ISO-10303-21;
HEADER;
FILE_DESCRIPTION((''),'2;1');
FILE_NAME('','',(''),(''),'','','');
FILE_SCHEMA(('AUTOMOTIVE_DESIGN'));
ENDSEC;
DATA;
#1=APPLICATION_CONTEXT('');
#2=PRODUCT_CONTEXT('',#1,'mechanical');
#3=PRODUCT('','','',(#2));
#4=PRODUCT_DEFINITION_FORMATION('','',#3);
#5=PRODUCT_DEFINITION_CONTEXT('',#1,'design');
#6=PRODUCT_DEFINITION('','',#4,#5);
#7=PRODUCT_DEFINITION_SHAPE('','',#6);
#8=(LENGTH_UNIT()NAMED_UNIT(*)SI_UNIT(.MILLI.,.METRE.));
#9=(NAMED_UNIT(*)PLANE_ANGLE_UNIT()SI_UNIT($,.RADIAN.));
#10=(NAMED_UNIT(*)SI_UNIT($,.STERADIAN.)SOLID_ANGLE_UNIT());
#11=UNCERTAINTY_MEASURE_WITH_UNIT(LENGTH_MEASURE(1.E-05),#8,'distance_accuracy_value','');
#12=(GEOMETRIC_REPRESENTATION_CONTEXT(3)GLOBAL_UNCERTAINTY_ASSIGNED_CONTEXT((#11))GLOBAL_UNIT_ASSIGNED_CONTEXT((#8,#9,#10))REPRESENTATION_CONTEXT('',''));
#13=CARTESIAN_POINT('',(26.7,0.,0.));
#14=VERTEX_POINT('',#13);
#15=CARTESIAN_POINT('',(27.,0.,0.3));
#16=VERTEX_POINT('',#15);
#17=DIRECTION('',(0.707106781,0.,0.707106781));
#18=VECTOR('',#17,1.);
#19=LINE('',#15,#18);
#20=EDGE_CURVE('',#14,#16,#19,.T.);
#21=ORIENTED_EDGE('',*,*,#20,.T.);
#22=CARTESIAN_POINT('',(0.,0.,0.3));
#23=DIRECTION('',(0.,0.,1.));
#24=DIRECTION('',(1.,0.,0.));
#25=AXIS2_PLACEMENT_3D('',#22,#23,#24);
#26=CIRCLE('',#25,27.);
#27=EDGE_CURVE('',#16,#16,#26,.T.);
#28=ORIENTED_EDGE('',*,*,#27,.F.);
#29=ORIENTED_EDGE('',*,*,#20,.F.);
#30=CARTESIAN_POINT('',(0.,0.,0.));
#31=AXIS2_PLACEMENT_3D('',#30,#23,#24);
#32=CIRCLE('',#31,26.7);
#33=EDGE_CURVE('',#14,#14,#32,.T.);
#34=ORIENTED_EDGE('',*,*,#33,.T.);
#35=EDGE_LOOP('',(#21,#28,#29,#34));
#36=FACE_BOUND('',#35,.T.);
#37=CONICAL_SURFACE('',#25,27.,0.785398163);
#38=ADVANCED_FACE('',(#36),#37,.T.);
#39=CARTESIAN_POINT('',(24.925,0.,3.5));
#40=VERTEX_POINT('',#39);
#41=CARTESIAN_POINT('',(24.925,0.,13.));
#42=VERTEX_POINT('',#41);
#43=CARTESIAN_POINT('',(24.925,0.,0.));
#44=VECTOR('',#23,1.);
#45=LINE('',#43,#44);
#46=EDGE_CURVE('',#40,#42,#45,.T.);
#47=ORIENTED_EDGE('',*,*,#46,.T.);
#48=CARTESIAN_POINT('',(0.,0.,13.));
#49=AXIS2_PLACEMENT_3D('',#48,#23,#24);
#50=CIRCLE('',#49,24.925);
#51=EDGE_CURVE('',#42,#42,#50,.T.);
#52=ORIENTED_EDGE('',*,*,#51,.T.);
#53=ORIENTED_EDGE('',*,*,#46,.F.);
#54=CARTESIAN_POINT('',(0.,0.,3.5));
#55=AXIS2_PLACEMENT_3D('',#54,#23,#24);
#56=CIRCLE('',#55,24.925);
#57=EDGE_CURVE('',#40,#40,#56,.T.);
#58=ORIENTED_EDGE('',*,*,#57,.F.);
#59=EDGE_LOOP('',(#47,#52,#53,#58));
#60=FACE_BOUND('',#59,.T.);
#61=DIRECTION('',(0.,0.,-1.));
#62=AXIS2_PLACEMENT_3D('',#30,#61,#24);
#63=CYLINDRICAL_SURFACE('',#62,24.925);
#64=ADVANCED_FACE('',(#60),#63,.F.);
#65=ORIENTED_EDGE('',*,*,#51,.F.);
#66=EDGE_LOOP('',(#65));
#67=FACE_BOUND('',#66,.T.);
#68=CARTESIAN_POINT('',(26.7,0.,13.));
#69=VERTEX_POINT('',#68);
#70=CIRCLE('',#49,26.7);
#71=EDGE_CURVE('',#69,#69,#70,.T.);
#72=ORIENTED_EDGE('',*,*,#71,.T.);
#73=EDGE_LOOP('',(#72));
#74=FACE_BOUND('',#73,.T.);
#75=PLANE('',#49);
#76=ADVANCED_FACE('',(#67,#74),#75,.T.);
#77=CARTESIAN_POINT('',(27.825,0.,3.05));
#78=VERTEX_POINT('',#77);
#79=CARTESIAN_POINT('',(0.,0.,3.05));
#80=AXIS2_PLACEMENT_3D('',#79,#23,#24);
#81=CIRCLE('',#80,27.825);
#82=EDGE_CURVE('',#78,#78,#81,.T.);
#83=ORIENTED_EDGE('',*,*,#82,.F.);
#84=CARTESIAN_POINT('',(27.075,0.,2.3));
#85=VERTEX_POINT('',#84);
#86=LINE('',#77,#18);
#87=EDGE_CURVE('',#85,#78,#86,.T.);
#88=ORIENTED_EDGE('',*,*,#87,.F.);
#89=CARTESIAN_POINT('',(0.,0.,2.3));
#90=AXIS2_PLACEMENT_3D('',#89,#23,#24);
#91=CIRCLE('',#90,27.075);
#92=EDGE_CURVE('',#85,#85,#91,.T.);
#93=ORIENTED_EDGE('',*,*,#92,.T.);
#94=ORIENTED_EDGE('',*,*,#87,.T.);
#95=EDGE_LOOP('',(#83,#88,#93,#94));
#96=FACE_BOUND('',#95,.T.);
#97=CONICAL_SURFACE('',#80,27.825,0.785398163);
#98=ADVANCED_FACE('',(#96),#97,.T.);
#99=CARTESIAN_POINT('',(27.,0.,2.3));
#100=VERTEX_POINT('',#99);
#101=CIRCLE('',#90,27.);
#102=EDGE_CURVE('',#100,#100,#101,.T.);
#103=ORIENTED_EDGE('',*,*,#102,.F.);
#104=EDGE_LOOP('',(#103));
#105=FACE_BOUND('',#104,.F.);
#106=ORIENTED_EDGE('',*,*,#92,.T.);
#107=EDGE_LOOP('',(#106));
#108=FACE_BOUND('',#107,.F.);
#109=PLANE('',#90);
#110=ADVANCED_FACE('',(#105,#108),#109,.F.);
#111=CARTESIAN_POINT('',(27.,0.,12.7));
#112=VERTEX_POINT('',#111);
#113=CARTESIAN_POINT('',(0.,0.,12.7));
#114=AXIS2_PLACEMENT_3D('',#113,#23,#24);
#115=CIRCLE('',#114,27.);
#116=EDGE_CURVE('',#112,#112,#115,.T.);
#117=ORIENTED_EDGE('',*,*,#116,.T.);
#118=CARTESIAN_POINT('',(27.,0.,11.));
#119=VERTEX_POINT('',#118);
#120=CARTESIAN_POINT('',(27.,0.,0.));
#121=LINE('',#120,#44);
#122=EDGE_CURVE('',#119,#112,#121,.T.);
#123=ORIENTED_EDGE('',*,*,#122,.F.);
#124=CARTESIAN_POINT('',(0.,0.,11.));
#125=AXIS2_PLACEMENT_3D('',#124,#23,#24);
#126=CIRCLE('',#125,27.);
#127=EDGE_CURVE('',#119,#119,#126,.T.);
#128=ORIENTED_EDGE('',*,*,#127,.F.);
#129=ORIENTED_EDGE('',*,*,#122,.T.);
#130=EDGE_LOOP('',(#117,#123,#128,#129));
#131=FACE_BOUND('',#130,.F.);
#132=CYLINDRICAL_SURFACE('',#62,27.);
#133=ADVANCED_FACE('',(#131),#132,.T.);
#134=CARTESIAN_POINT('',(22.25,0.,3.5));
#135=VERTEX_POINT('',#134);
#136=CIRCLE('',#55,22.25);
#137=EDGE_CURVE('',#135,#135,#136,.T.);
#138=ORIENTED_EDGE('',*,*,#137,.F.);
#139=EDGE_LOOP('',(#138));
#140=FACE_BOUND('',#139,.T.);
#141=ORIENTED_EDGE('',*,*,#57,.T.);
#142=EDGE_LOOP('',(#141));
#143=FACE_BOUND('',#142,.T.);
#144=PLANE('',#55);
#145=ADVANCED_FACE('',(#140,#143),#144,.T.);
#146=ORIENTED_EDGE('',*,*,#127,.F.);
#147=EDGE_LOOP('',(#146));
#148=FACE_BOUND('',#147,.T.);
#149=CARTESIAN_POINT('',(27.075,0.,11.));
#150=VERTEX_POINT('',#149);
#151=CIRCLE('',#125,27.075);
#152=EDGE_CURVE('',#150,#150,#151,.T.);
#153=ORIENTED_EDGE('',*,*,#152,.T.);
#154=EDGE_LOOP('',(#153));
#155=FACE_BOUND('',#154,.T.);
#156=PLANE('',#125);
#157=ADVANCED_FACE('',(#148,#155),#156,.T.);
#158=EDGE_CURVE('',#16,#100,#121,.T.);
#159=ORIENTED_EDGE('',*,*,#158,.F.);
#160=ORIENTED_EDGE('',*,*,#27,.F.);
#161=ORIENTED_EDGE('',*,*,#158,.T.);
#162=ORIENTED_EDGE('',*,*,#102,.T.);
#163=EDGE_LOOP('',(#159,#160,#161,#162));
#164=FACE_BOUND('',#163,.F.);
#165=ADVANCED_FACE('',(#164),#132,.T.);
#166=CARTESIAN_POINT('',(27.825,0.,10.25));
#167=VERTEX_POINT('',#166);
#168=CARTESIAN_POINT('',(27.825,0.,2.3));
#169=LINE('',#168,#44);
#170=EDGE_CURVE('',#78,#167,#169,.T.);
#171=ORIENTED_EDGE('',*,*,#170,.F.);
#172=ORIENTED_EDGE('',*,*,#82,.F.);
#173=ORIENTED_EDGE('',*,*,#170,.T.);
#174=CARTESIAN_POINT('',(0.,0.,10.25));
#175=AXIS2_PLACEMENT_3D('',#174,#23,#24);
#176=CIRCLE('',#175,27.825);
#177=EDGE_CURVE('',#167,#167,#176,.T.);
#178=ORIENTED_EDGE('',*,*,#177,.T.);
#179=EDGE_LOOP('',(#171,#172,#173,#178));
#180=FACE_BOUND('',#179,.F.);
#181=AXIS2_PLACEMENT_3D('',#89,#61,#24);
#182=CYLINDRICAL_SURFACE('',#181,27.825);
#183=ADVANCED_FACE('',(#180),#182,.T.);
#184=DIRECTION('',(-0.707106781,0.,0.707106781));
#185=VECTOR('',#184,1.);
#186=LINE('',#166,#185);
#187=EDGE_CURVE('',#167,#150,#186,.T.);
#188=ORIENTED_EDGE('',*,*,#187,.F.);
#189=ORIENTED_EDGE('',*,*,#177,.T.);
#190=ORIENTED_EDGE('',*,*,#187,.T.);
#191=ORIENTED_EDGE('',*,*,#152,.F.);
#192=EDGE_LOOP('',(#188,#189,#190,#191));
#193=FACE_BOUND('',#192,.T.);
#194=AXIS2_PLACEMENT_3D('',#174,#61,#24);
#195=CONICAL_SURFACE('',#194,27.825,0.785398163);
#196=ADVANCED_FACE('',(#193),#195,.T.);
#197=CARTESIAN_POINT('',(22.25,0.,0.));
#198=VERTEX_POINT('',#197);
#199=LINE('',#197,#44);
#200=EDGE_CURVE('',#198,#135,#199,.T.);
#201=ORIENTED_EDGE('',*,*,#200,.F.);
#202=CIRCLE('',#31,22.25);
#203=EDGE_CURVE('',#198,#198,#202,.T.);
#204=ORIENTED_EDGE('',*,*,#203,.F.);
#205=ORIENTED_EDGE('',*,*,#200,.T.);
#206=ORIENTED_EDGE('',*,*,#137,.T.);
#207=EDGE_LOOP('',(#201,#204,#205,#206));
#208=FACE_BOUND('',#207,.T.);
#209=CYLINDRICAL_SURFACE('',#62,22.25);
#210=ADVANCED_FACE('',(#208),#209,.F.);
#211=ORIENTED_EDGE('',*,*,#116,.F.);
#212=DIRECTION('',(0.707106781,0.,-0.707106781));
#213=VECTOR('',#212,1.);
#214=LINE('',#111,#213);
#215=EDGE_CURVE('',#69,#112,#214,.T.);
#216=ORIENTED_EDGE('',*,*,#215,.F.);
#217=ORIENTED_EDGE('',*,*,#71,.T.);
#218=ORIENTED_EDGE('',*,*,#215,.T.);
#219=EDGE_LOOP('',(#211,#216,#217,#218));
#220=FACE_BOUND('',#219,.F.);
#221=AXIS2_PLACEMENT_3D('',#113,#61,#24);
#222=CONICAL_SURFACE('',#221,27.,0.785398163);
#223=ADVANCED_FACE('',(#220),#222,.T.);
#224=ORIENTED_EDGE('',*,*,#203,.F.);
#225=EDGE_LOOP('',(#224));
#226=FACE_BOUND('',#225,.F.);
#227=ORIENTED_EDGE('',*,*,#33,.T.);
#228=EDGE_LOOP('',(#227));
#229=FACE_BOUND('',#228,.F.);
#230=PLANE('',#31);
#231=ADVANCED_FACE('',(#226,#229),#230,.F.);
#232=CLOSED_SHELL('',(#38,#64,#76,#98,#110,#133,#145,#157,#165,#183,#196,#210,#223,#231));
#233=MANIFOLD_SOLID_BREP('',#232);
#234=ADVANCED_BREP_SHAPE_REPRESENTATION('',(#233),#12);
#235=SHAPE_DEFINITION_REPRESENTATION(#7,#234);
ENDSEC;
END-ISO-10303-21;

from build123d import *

# Parameters (mm, degrees)
F0_R     = 27
F0_R_2   = 24.925
F1_DEPTH = 13
F0_R_3   = 22.25
F2_DEPTH = 3.5
F3_START = 2.3
F0_R_4   = 27.825
F3_DEPTH = 8.7
F4_SIZE  = 0.3
F5_SIZE  = 0.75


with BuildPart() as f1:
    # F0 (on Top) → F1 (new body)
    with BuildSketch(Plane.XY):
        Circle(F0_R)
        Circle(F0_R_2, mode=Mode.SUBTRACT)
    extrude(amount=F1_DEPTH)

    # F0 (on Top) → F2 (join)
    with BuildSketch(Plane.XY):
        Circle(F0_R_2)
        Circle(F0_R_3, mode=Mode.SUBTRACT)
    extrude(amount=F2_DEPTH)

    # F0 (on Top) → F3 (join)
    with BuildSketch(Plane.XY.offset(F3_START)):
        Circle(F0_R_4)
        Circle(F0_R, mode=Mode.SUBTRACT)
    extrude(amount=F3_DEPTH)

    # F4
    f4_edges = [f1.edges().sort_by_distance(p)[0] for p in [
        (-27, 0, 13),
        (-27, 0, 0),
    ]]
    chamfer(f4_edges, length=F4_SIZE)

    # F5
    f5_edges = [f1.edges().sort_by_distance(p)[0] for p in [
        (27.825, 0, 6.65),
        (-27.825, 0, 2.3),
        (-27.825, 0, 11),
    ]]
    chamfer(f5_edges, length=F5_SIZE)


solid = f1.part
